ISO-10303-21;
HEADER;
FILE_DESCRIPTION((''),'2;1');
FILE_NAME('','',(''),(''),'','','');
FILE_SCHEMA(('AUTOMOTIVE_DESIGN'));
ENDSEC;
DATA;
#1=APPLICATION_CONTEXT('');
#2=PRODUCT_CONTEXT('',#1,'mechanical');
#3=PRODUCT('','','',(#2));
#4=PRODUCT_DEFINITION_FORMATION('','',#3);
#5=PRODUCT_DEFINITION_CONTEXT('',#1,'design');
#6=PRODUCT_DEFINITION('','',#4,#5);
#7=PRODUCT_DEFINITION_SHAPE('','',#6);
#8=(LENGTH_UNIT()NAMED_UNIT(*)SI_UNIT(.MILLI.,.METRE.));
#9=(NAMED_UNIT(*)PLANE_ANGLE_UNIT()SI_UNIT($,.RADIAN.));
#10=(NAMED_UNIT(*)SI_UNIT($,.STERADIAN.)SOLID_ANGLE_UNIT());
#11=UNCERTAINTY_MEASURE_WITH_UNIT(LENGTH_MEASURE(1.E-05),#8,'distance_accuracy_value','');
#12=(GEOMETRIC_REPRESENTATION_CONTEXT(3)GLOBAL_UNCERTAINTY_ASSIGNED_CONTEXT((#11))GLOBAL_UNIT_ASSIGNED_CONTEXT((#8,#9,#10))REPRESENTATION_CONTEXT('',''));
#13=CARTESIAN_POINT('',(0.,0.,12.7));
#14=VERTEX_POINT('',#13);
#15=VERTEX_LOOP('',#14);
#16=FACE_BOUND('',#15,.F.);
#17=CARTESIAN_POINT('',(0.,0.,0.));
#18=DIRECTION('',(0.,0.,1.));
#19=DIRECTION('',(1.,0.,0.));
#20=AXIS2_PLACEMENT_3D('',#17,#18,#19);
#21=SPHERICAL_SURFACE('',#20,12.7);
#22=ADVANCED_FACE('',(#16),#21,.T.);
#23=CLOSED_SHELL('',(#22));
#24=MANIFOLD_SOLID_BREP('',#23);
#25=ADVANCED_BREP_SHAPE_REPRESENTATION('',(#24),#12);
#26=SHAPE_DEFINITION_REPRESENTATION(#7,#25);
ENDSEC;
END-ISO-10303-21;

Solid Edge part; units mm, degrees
sketch "Sketch1" plane through (0, 0, 0) normal (0, -1, 0) x (1, 0, 0)
  arc A0 (0, -12.7) -> (0, 12.7) centre (0, 0) ccw
  dimension "D1" = 25.4
revolve "RevolvedProtrusion1" add sketch "Sketch1" angle 360 about axis through (0, 0, 12.7) along (0, 0, -1)
properties material "STAINLESS"
